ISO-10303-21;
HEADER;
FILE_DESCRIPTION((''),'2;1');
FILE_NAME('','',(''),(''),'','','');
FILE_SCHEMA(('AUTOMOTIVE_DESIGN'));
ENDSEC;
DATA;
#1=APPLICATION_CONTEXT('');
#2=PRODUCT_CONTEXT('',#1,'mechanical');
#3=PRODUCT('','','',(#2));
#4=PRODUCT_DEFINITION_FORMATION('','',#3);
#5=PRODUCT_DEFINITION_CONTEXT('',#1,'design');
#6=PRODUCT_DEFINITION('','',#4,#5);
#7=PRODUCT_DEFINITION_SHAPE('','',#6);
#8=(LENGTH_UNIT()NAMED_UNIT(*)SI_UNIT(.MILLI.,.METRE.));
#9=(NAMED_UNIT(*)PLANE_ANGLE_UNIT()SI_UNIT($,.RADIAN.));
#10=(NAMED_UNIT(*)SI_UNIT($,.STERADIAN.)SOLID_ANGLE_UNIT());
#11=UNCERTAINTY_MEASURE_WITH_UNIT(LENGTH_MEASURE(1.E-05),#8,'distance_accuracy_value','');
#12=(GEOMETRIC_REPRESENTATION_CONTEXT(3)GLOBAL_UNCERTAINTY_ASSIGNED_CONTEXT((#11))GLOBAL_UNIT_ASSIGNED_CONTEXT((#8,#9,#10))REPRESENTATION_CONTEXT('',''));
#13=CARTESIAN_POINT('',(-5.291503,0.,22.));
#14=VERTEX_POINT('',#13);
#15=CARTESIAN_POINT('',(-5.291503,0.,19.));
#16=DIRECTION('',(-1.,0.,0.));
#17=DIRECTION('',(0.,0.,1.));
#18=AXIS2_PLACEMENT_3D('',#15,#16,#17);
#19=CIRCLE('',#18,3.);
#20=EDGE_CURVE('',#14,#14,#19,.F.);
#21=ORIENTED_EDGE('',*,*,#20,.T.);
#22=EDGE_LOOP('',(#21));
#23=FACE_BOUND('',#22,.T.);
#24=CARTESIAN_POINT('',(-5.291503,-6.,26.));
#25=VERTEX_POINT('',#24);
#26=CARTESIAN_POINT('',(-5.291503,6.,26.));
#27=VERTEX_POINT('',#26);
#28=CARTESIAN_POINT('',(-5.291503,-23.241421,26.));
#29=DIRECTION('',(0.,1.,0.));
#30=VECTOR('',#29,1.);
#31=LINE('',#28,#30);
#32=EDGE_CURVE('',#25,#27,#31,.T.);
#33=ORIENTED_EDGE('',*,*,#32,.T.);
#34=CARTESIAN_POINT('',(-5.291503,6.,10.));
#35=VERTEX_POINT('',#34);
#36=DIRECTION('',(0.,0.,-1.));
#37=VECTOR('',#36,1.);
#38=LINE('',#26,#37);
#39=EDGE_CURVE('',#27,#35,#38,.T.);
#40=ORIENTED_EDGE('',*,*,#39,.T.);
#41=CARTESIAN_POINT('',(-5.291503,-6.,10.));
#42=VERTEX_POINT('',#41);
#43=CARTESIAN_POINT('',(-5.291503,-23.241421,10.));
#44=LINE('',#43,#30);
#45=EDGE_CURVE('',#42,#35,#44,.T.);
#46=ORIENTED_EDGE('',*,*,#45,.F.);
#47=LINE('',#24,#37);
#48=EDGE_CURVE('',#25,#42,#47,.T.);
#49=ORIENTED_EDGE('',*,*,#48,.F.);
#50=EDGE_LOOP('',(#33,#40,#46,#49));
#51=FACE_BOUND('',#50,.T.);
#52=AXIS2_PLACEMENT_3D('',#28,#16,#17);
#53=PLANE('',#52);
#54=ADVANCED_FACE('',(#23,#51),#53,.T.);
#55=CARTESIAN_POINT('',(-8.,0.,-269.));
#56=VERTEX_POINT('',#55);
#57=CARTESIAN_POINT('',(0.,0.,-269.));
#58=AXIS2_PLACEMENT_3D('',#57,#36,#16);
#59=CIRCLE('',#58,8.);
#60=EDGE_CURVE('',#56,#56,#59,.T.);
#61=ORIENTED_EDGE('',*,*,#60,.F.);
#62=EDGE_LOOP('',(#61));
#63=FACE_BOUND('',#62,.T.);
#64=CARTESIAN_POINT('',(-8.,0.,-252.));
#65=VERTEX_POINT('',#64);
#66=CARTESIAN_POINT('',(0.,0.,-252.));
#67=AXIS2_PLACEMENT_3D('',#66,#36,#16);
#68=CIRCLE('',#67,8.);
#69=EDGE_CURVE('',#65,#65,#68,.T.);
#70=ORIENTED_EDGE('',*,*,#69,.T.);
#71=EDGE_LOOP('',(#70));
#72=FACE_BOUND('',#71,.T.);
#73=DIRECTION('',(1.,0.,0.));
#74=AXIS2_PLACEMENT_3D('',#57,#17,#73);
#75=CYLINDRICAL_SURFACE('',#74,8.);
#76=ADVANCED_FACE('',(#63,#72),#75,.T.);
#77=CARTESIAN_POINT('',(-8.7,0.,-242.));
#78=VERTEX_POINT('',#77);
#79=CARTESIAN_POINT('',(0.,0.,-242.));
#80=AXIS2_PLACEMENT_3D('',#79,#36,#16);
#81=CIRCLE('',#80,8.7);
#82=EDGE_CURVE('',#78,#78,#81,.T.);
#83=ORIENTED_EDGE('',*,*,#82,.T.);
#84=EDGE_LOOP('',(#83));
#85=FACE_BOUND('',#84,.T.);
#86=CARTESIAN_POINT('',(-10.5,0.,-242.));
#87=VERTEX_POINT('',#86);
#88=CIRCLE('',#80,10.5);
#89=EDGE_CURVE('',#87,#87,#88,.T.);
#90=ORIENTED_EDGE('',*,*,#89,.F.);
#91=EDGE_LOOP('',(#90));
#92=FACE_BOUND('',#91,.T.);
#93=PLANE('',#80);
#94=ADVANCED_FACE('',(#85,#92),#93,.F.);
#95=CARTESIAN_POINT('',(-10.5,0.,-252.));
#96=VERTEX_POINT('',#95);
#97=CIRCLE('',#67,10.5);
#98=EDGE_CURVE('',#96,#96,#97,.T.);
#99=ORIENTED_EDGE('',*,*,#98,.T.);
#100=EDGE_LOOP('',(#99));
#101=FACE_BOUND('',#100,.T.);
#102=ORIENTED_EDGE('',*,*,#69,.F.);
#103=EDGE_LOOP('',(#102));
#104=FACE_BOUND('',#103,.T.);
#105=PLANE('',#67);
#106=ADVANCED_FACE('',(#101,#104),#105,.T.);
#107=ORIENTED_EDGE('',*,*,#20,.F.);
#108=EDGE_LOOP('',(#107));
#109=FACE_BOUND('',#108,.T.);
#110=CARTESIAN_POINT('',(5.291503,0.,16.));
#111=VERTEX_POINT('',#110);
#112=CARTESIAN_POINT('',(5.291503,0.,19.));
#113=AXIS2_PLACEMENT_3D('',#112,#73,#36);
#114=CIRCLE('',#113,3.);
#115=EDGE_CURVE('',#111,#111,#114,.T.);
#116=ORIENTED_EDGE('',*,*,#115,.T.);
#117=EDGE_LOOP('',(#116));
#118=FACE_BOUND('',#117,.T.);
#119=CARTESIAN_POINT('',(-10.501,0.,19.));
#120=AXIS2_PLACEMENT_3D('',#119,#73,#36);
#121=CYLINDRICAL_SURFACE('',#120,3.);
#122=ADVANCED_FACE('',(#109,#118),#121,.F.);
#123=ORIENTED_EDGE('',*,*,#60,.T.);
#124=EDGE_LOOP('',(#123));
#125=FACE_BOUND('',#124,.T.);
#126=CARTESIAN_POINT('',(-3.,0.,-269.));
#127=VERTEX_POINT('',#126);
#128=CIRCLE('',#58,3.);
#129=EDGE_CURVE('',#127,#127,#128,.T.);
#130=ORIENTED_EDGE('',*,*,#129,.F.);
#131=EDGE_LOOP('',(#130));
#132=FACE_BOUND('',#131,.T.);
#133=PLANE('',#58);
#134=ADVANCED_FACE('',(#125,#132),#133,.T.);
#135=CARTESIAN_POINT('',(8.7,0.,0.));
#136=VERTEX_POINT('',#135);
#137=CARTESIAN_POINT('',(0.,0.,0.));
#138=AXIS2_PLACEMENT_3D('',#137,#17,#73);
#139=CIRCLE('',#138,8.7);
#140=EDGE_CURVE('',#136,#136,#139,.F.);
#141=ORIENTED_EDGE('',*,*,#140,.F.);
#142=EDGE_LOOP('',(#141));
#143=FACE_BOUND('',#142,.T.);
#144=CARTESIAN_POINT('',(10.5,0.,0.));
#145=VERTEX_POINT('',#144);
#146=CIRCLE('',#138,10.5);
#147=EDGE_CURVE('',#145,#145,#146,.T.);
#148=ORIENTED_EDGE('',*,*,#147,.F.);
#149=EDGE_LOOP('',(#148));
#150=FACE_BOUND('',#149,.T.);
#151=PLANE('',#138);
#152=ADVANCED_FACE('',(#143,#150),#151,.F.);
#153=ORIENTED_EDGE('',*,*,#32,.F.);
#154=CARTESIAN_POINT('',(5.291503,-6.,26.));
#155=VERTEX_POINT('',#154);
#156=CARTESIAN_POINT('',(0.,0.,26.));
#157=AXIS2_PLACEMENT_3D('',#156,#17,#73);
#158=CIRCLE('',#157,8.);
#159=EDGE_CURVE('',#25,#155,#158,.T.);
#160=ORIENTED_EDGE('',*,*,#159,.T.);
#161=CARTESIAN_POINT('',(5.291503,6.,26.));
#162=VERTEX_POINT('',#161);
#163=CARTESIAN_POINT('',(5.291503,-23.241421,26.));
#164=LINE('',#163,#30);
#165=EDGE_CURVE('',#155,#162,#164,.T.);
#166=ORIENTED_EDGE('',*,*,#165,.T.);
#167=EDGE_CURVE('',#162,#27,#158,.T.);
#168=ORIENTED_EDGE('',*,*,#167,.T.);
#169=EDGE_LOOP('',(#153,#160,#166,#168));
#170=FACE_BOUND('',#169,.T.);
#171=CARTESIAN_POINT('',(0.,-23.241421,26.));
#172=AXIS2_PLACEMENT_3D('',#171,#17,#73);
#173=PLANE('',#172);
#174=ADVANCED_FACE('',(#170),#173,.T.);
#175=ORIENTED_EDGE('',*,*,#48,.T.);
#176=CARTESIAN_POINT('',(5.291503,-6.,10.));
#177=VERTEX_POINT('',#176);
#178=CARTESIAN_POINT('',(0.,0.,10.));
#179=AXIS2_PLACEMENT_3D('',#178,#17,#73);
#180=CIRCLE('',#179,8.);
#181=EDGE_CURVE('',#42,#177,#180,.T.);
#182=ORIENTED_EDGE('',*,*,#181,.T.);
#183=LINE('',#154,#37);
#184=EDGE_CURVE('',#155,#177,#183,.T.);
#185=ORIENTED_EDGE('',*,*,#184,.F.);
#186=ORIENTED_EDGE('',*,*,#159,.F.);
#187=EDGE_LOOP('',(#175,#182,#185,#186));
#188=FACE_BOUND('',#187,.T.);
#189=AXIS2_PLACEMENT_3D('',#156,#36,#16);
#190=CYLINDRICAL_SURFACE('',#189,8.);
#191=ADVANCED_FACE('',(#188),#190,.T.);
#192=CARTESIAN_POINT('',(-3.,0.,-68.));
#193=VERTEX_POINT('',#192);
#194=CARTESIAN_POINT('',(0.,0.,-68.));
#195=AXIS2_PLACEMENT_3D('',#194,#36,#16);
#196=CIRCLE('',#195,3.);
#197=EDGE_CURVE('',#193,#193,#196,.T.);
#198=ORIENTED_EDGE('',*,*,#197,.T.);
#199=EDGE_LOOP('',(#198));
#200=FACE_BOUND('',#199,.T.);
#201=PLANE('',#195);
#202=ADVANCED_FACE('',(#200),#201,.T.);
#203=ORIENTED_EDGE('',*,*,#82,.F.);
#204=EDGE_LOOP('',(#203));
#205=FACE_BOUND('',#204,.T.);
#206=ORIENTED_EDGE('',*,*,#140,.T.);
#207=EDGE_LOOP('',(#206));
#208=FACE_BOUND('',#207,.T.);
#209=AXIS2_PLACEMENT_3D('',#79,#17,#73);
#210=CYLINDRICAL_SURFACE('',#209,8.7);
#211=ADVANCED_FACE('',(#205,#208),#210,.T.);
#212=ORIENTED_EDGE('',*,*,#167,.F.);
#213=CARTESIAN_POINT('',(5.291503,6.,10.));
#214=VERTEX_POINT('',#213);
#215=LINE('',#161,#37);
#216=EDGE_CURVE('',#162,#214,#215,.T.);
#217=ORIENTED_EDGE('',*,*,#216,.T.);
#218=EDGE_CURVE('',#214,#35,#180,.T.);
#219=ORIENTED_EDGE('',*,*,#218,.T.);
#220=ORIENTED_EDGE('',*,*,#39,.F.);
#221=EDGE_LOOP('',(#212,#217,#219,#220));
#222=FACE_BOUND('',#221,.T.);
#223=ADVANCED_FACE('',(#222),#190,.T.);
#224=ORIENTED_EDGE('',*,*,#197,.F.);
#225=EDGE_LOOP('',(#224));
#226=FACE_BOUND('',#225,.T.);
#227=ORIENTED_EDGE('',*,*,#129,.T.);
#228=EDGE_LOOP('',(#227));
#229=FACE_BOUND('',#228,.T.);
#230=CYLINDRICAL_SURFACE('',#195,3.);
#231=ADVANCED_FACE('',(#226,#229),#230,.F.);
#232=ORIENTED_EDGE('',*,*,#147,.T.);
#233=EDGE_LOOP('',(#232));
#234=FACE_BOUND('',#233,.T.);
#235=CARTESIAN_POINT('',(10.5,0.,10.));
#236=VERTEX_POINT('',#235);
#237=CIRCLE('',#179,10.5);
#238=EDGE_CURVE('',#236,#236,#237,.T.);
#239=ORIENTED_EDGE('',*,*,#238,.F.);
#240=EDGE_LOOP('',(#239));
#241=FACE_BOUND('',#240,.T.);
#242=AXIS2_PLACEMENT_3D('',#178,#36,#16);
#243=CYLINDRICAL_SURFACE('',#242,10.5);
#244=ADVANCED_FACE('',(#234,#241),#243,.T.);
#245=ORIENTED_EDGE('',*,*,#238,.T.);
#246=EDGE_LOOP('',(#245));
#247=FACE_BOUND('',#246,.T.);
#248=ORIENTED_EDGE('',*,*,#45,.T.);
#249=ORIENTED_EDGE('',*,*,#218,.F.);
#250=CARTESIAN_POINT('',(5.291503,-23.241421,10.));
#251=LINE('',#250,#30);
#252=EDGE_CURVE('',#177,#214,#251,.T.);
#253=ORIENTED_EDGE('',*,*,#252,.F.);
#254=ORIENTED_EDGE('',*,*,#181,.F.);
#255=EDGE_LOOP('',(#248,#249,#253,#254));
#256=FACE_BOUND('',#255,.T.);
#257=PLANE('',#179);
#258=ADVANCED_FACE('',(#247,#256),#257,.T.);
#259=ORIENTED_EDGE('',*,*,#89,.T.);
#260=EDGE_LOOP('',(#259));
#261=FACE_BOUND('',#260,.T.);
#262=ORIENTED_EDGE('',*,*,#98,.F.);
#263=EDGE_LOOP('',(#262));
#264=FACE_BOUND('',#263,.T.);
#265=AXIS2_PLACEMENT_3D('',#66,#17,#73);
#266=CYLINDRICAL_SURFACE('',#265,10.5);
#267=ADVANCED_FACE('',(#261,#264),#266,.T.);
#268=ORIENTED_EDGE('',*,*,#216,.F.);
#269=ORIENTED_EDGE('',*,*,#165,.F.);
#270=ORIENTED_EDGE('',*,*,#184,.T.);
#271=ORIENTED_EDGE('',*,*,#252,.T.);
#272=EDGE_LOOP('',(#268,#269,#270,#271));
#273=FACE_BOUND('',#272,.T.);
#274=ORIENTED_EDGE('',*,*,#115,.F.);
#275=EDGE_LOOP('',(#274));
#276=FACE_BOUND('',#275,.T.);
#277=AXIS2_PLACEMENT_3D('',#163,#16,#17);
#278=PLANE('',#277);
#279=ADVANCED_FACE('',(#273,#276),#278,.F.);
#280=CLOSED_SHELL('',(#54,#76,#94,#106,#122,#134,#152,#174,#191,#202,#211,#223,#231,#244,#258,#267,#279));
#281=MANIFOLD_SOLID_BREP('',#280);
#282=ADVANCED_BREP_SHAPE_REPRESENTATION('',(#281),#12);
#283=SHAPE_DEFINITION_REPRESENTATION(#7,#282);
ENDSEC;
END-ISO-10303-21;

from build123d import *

# Parameters (mm, degrees)
SKETCH1_R           = 10.5
BOSS_EXTRUDE1_DEPTH = 10
SKETCH2_W           = 10.583005244
SKETCH2_H           = 12
BOSS_EXTRUDE2_DEPTH = 16
CUT_EXTRUDE1_REACH  = 34.181
SKETCH3_R           = 3
SKETCH4_R           = 8.7
BOSS_EXTRUDE3_DEPTH = 242
BOSS_EXTRUDE4_START = 10
SKETCH5_R           = 10.5
BOSS_EXTRUDE4_DEPTH = 10
BOSS_EXTRUDE5_START = 17
SKETCH6_R           = 8
BOSS_EXTRUDE5_DEPTH = 17
SKETCH7_R           = 3
CUT_EXTRUDE2_DEPTH  = 201


with BuildPart() as part:
    # Sketch1 → Boss-Extrude1 (new body)
    with BuildSketch(Plane.XY):
        Circle(SKETCH1_R)
    extrude(amount=BOSS_EXTRUDE1_DEPTH)

    # Sketch2 → Boss-Extrude2 (add)
    with BuildSketch(Plane.XY.offset(10)):
        Rectangle(SKETCH2_W, SKETCH2_H)
        with BuildLine():
            ThreePointArc((5.291502622, 6), (0, 8), (-5.291502622, 6))
            Line((-5.291502622, 6), (5.291502622, 6))
        make_face()
        with BuildLine():
            Line((5.291502622, -6), (-5.291502622, -6))
            ThreePointArc((-5.291502622, -6), (0, -8), (5.291502622, -6))
        make_face()
    extrude(amount=BOSS_EXTRUDE2_DEPTH)

    # Sketch3 → Cut-Extrude1 (cut, up to next)
    with BuildSketch(Plane(origin=(5.291502622, 0, 0), x_dir=(0, 0, -1), z_dir=(1, 0, 0)), mode=Mode.PRIVATE) as cut_extrude1_sk1:
        with Locations((-19, 0)):
            Circle(SKETCH3_R)
    cut_extrude1_tool1 = extrude(cut_extrude1_sk1.sketch, amount=-CUT_EXTRUDE1_REACH, mode=Mode.PRIVATE) & part.part
    add(cut_extrude1_tool1.solids().sort_by_distance((5.291503, 0, 19))[0], mode=Mode.SUBTRACT)

    # Sketch4 → Boss-Extrude3 (add)
    with BuildSketch(Plane(origin=(0, 0, 0), x_dir=(-1, 0, 0), z_dir=(0, 0, -1))):
        with Locations(Location((0, 0, 0), (0, 0, 180))):
            Circle(SKETCH4_R)
    extrude(amount=BOSS_EXTRUDE3_DEPTH)

    # Sketch5 → Boss-Extrude4 (add)
    with BuildSketch(Plane(origin=(0, 0, -242), x_dir=(-1, 0, 0), z_dir=(0, 0, -1)).offset(BOSS_EXTRUDE4_START)):
        with Locations(Location((0, 0, 0), (0, 0, 180))):
            Circle(SKETCH5_R)
    extrude(amount=-BOSS_EXTRUDE4_DEPTH)

    # Sketch6 → Boss-Extrude5 (add)
    with BuildSketch(Plane(origin=(0, 0, -252), x_dir=(-1, 0, 0), z_dir=(0, 0, -1)).offset(BOSS_EXTRUDE5_START)):
        Circle(SKETCH6_R)
    extrude(amount=-BOSS_EXTRUDE5_DEPTH)

    # Sketch7 → Cut-Extrude2 (cut)
    with BuildSketch(Plane(origin=(0, 0, -269), x_dir=(-1, 0, 0), z_dir=(0, 0, -1))):
        Circle(SKETCH7_R)
    extrude(amount=-CUT_EXTRUDE2_DEPTH, mode=Mode.SUBTRACT)


solid = part.part
